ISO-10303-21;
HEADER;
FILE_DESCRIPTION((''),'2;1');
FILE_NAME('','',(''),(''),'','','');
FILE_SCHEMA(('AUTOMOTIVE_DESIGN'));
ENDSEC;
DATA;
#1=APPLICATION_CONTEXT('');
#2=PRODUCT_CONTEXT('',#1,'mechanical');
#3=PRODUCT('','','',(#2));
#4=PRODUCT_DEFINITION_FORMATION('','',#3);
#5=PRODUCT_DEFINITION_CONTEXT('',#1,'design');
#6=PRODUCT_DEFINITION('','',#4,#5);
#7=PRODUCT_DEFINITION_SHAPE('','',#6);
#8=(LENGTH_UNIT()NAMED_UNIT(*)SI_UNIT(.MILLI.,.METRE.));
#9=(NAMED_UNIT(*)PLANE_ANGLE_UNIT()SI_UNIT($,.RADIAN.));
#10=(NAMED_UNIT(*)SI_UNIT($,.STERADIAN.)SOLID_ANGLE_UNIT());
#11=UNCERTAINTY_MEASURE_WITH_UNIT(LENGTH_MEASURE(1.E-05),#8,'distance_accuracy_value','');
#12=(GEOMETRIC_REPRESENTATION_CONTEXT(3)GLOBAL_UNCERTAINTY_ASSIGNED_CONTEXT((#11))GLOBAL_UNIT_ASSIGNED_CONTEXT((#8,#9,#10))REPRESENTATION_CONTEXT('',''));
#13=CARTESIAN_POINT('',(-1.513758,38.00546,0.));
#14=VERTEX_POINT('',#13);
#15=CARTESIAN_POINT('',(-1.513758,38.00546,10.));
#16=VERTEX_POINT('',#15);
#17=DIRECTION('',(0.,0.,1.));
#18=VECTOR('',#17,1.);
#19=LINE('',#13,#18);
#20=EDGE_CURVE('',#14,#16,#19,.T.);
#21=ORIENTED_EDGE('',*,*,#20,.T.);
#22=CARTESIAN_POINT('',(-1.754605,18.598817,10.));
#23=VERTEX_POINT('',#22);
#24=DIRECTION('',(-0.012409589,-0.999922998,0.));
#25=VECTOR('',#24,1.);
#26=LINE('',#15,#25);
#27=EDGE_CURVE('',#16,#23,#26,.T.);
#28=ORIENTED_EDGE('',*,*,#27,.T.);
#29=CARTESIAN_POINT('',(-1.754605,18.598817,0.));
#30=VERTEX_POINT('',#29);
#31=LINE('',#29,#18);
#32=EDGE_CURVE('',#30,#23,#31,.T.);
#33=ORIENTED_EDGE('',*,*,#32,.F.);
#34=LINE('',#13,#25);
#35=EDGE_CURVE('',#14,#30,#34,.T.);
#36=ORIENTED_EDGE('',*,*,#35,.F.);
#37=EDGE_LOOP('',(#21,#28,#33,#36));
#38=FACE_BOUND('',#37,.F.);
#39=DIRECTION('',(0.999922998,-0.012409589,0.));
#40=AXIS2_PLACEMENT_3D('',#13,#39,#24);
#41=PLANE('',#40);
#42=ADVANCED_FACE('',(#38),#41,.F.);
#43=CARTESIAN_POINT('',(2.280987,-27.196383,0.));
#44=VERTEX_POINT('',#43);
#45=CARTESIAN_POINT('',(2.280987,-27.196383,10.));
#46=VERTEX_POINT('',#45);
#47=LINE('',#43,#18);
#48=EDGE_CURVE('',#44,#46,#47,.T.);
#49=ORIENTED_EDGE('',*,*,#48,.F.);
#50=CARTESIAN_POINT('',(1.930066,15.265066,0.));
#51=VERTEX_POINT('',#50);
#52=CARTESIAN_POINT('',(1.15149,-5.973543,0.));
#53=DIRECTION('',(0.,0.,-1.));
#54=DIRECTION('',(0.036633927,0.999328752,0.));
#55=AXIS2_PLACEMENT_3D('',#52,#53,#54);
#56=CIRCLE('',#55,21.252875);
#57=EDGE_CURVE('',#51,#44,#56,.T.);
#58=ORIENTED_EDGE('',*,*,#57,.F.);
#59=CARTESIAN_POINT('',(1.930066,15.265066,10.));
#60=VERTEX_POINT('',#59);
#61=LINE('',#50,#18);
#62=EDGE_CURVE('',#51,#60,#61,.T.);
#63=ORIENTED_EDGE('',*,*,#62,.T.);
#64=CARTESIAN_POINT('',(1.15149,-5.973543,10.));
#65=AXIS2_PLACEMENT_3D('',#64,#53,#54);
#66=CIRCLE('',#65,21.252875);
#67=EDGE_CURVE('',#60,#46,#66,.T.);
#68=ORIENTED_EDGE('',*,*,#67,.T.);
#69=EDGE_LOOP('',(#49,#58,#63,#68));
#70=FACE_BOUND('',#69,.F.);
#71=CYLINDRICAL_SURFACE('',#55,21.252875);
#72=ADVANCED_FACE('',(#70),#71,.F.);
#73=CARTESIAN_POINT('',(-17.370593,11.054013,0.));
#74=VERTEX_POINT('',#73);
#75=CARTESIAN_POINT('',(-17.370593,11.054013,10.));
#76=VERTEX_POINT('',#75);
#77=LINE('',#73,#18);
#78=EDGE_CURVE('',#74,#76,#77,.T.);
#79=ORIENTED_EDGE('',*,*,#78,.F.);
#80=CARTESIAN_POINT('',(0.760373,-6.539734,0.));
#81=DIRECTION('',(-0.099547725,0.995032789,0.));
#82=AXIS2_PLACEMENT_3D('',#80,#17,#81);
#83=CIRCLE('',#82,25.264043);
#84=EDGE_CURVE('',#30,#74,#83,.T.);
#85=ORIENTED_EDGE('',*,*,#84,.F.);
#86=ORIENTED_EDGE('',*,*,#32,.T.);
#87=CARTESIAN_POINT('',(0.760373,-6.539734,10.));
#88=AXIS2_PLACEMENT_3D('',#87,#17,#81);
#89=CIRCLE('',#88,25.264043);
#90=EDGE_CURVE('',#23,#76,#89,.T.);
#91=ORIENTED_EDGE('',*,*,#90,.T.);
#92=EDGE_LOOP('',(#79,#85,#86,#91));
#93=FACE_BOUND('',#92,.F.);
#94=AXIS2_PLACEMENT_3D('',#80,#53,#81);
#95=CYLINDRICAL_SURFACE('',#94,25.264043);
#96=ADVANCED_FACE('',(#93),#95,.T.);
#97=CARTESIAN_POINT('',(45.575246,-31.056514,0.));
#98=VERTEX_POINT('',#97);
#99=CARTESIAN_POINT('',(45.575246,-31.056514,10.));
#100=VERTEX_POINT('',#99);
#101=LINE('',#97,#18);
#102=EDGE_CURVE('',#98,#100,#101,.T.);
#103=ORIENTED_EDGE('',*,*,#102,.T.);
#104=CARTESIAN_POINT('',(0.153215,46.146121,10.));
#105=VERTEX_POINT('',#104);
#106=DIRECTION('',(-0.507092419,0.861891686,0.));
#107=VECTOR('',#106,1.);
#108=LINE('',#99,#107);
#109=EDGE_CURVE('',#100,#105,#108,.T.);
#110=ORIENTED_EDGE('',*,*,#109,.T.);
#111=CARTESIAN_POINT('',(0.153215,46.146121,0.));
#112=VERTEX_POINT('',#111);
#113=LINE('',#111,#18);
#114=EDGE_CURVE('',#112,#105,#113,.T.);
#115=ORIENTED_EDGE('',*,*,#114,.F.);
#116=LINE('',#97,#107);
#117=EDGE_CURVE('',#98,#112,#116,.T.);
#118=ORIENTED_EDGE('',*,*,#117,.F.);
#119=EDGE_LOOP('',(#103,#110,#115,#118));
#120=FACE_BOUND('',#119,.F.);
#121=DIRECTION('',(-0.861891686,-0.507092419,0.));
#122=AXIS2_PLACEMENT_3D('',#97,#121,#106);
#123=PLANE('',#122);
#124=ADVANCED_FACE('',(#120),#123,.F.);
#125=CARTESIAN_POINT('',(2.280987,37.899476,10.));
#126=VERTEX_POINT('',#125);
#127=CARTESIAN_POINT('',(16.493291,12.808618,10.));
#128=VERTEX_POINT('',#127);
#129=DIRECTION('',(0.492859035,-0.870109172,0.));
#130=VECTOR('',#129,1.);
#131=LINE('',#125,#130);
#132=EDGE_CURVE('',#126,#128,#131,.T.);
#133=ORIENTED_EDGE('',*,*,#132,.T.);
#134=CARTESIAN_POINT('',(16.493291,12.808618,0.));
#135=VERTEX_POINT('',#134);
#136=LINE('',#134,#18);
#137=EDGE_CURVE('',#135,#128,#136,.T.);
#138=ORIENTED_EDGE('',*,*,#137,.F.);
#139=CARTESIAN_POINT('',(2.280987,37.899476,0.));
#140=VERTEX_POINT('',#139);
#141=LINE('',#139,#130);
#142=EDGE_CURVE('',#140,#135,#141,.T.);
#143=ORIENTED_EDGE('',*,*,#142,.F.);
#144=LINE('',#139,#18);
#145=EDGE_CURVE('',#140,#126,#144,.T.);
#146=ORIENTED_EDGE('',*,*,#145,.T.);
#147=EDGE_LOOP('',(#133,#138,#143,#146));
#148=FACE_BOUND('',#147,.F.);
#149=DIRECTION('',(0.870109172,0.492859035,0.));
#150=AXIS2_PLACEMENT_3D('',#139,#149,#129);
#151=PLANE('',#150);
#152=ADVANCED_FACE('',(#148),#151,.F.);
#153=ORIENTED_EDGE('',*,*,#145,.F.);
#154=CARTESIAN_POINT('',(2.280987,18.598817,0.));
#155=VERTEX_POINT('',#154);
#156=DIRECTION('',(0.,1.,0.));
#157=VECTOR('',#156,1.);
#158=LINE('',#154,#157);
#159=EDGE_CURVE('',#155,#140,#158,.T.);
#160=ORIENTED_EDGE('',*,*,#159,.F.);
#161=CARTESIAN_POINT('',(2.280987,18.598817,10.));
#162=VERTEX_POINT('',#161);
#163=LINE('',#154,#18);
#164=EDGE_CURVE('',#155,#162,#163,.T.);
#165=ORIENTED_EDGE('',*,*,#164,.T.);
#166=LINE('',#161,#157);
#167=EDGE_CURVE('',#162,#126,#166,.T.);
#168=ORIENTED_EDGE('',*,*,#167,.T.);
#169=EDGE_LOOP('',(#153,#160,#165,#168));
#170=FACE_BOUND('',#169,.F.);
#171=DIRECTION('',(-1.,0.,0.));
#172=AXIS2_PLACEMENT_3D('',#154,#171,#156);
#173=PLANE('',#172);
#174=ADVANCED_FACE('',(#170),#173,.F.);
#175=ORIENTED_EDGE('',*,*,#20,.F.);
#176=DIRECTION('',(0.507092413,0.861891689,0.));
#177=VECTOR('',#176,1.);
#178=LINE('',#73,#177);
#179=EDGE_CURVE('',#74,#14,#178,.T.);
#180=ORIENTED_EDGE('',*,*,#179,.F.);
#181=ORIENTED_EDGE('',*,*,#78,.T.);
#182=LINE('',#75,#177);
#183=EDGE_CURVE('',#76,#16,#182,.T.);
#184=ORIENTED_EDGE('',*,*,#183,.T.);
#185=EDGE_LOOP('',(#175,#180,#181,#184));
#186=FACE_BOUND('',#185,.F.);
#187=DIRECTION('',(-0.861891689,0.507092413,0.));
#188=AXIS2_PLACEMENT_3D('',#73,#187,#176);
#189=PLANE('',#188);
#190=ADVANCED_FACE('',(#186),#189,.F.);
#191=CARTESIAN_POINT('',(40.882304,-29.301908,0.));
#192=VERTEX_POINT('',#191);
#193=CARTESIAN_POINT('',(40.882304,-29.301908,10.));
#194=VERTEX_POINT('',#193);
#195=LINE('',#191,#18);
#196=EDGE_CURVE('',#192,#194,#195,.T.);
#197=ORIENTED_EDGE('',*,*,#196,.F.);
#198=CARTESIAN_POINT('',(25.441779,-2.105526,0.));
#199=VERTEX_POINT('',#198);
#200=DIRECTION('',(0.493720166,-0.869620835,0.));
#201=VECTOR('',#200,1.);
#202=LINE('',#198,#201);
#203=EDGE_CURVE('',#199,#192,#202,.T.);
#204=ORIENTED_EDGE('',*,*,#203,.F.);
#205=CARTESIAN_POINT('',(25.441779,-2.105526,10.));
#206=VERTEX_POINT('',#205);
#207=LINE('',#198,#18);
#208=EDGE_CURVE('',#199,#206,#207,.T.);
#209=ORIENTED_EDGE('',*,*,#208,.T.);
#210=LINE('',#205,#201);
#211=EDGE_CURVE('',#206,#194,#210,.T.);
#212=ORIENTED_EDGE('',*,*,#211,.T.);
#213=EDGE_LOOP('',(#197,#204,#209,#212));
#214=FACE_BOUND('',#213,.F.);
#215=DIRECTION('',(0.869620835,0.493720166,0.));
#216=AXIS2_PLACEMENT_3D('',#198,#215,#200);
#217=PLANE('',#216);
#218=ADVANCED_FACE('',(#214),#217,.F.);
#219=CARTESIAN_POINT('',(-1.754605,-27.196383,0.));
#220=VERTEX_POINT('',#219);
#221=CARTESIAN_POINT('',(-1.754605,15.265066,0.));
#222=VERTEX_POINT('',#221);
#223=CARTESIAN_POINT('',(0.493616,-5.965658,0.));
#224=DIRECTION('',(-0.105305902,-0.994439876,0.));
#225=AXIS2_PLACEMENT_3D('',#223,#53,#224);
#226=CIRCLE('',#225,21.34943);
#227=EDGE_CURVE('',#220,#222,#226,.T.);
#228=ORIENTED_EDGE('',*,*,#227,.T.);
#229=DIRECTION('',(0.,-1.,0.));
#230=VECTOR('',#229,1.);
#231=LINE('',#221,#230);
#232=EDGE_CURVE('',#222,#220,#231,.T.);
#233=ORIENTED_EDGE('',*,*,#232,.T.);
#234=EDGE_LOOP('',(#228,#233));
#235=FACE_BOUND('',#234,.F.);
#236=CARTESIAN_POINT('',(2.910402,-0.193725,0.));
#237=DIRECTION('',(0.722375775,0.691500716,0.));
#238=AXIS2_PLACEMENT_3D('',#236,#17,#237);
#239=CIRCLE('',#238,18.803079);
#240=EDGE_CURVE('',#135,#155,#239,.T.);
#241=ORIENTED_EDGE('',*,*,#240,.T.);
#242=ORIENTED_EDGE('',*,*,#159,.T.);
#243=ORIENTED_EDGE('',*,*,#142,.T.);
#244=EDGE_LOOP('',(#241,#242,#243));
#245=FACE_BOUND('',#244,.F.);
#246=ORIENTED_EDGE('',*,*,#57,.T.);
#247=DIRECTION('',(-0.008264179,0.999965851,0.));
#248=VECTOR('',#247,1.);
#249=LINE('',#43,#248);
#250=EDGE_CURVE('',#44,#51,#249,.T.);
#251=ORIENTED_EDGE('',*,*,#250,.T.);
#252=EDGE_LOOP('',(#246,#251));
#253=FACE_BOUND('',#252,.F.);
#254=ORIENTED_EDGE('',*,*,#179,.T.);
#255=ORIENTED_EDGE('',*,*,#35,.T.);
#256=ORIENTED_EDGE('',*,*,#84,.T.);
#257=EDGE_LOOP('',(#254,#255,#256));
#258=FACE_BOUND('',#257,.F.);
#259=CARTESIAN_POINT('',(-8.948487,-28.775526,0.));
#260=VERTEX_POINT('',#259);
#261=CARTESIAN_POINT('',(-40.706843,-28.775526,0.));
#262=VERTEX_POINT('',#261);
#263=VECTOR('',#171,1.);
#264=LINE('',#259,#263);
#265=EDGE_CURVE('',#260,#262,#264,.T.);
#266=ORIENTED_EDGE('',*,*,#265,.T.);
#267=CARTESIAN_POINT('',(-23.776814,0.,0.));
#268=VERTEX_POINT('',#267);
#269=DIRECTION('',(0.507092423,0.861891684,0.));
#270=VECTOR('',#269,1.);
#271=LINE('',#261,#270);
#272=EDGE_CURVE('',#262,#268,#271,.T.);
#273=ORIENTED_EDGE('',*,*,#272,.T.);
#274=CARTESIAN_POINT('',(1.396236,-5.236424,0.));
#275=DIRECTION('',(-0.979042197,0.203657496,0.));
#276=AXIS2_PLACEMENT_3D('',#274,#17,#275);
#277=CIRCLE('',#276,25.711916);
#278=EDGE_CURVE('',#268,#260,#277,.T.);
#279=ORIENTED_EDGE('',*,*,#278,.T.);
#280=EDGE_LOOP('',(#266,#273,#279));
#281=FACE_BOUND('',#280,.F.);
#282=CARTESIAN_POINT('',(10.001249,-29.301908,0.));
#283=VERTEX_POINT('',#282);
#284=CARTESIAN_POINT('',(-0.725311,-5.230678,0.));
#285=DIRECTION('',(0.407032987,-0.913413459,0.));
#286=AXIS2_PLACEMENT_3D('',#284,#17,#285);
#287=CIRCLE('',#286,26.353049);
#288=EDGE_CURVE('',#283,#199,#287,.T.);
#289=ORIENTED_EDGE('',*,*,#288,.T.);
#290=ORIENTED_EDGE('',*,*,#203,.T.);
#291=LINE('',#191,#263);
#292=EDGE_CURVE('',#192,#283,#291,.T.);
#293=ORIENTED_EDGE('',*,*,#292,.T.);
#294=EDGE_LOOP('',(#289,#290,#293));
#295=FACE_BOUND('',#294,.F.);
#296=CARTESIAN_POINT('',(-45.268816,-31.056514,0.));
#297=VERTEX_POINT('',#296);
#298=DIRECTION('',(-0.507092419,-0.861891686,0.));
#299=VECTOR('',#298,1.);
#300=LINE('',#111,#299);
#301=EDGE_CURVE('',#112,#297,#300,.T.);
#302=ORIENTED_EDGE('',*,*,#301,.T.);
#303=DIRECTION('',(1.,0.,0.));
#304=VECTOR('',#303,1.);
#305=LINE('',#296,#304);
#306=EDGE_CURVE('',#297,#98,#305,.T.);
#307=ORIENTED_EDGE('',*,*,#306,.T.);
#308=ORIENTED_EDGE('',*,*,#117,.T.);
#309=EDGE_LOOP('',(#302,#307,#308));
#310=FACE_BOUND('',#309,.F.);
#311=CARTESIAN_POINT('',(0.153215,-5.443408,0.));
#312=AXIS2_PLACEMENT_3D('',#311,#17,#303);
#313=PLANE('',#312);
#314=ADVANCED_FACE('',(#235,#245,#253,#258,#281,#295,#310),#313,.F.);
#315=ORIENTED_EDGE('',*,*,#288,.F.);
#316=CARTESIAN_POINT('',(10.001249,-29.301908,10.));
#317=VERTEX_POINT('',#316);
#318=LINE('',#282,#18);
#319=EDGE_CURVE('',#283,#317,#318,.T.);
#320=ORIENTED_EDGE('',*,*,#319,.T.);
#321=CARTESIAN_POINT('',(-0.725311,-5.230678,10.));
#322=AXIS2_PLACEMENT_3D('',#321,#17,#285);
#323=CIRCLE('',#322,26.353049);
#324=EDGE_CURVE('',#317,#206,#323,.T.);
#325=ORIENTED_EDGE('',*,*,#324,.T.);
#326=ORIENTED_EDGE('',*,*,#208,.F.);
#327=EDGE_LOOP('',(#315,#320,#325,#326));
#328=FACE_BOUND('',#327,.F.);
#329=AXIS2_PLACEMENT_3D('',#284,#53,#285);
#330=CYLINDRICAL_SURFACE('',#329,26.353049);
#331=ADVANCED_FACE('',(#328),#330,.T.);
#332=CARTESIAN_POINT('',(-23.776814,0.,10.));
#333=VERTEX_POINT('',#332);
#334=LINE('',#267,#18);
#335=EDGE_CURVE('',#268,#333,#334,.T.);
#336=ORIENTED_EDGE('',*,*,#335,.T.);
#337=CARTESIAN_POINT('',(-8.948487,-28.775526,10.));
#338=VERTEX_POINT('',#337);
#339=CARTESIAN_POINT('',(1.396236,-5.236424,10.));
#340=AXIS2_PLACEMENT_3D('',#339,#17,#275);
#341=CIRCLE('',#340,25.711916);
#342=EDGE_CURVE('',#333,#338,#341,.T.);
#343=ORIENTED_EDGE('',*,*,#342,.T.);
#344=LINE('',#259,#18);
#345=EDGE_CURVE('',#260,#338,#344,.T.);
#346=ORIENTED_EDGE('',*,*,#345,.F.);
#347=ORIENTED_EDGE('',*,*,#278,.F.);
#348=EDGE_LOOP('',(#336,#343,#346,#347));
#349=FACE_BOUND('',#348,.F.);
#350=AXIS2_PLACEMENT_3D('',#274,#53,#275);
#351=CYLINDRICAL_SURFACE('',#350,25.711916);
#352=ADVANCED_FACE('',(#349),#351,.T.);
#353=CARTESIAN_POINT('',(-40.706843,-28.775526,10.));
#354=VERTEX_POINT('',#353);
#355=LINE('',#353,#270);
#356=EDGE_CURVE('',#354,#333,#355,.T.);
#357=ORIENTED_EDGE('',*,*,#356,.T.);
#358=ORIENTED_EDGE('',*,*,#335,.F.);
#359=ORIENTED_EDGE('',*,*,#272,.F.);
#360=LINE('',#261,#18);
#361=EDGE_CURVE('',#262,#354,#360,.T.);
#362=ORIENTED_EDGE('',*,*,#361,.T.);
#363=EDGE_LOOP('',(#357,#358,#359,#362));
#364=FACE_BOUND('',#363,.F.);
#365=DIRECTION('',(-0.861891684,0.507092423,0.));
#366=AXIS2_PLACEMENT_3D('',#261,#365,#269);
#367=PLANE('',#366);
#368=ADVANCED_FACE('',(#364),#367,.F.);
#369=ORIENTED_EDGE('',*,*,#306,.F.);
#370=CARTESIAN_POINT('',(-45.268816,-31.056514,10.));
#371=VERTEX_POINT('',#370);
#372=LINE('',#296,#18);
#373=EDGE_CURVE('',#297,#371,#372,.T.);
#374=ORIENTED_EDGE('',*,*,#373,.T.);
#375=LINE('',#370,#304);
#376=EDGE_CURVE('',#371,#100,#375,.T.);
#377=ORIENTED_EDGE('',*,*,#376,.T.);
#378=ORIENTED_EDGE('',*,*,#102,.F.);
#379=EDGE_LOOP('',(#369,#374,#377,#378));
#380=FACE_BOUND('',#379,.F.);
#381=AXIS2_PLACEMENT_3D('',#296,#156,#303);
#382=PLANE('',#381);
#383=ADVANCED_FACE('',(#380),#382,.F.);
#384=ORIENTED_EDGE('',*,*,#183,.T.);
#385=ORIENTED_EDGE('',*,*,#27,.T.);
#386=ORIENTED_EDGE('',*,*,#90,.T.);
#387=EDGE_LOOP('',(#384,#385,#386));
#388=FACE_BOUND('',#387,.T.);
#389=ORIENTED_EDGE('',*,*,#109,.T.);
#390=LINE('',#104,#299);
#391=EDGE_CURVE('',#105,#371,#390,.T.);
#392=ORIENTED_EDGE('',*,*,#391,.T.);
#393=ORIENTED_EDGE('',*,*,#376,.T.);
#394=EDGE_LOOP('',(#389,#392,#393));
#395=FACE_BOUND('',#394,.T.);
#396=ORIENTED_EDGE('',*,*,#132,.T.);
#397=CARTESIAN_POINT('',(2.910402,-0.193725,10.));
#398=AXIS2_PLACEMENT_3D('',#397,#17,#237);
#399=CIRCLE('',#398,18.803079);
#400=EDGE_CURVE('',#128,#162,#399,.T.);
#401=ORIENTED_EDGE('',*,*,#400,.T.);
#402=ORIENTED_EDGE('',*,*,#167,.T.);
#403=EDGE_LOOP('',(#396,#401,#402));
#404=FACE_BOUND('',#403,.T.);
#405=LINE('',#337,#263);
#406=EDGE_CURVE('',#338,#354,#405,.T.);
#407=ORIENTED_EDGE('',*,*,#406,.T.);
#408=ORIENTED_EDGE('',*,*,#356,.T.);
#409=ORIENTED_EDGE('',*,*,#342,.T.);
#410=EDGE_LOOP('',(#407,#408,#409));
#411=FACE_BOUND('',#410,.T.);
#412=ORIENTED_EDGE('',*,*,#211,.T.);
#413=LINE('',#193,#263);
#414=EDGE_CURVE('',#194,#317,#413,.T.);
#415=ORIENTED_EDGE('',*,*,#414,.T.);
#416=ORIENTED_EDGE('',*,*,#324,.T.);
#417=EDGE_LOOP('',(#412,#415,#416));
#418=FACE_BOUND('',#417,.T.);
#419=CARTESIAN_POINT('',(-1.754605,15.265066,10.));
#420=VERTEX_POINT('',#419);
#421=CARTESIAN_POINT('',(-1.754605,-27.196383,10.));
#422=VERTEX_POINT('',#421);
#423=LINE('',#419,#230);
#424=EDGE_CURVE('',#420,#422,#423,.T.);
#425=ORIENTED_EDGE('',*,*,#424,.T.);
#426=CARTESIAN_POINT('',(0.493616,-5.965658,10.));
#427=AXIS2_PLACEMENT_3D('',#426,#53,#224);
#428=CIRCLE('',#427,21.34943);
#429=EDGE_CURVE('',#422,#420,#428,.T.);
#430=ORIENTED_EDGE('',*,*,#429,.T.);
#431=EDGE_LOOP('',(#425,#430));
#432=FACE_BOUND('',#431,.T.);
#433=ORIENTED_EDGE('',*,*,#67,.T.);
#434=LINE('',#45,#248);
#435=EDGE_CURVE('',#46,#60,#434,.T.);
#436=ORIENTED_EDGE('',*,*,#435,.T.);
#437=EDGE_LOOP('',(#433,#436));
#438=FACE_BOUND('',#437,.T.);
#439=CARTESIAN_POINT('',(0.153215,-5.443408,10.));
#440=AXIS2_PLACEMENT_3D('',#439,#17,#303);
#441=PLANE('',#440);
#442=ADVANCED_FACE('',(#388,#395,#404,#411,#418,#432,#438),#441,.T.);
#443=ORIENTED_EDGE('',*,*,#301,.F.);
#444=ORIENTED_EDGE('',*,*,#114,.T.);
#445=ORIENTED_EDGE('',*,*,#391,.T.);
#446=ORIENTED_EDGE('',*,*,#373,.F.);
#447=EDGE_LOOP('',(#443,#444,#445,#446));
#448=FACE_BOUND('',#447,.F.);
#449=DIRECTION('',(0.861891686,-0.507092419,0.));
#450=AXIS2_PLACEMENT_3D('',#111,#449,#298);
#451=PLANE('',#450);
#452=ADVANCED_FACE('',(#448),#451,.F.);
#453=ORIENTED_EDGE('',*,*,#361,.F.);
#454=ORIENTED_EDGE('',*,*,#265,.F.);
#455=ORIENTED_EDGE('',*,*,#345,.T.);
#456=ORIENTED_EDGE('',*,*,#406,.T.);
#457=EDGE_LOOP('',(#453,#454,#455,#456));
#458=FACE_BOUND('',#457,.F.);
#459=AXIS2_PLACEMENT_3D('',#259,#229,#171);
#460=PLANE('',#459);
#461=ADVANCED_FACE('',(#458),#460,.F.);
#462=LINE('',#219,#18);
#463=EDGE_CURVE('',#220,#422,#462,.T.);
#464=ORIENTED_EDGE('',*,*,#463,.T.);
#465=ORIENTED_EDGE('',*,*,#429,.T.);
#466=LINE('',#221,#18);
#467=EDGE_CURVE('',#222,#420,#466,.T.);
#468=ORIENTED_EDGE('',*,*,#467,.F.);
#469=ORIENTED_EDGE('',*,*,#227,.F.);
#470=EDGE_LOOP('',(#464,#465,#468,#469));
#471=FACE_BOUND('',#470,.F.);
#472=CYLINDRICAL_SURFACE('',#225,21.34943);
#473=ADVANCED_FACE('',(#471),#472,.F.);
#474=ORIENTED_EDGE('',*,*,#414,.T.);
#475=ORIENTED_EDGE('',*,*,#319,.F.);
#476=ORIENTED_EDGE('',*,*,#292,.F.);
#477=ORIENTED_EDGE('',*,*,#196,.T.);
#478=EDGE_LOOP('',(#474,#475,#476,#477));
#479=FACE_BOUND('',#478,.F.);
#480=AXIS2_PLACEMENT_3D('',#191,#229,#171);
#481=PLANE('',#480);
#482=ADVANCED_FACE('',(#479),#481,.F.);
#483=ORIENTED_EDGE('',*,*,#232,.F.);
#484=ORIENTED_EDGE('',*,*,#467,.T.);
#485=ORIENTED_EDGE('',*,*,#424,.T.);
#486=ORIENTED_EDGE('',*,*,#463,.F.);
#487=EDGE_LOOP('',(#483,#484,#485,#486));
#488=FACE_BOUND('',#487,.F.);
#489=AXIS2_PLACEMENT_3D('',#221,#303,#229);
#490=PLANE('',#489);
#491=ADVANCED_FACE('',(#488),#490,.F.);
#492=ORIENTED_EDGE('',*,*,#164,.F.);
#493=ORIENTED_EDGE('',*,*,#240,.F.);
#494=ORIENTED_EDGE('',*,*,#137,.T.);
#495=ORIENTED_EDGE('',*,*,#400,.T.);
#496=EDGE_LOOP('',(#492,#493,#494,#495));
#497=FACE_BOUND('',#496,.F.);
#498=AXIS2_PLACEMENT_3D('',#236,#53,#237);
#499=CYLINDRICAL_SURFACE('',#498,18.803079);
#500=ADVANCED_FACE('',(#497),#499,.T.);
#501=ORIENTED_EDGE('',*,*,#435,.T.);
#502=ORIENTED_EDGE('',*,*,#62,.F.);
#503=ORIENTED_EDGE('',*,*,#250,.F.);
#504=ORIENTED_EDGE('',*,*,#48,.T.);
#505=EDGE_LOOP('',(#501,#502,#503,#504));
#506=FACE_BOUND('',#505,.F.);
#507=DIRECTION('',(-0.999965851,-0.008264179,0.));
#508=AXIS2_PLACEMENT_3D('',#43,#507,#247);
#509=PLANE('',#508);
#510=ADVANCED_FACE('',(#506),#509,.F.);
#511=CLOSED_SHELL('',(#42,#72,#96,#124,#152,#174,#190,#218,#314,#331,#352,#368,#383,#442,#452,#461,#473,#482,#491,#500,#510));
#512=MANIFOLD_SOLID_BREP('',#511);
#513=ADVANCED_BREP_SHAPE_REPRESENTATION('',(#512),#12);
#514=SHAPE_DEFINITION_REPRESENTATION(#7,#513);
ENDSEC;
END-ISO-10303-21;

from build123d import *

# Parameters (mm, degrees)
F1_DEPTH = 10


with BuildPart() as f1:
    # F0 (on Top) → F1 (new body)
    with BuildSketch(Plane.XY):
        Polygon((45.575246, -31.056514), (0.153215, 46.146121), (-45.268816, -31.056514), align=None)
        with BuildLine():
            Line((-8.948487, -28.775526), (-40.706843, -28.775526))
            Line((-40.706843, -28.775526), (-23.776814, 0))
            ThreePointArc((-23.776814, 0), (-21.459524, -17.014235), (-8.948487, -28.775526))
        make_face(mode=Mode.SUBTRACT)
        with BuildLine():
            ThreePointArc((-1.754605, -27.196383), (-20.855814, -5.965658), (-1.754605, 15.265066))
            Line((-1.754605, 15.265066), (-1.754605, -27.196383))
        make_face(mode=Mode.SUBTRACT)
        with BuildLine():
            Line((40.882304, -29.301908), (10.001249, -29.301908))
            ThreePointArc((10.001249, -29.301908), (22.191847, -18.241714), (25.441779, -2.105526))
            Line((25.441779, -2.105526), (40.882304, -29.301908))
        make_face(mode=Mode.SUBTRACT)
        with BuildLine():
            ThreePointArc((1.930066, 15.265066), (22.403639, -5.797906), (2.280987, -27.196383))
            Line((2.280987, -27.196383), (1.930066, 15.265066))
        make_face(mode=Mode.SUBTRACT)
        with BuildLine():
            Line((-1.513758, 38.00546), (-1.754605, 18.598817))
            ThreePointArc((-1.754605, 18.598817), (-10.230294, 16.208389), (-17.370593, 11.054013))
            Line((-17.370593, 11.054013), (-1.513758, 38.00546))
        make_face(mode=Mode.SUBTRACT)
        with BuildLine():
            Line((2.280987, 37.899476), (16.493291, 12.808618))
            ThreePointArc((16.493291, 12.808618), (10.004746, 17.219663), (2.280987, 18.598817))
            Line((2.280987, 18.598817), (2.280987, 37.899476))
        make_face(mode=Mode.SUBTRACT)
    extrude(amount=F1_DEPTH)


solid = f1.part
